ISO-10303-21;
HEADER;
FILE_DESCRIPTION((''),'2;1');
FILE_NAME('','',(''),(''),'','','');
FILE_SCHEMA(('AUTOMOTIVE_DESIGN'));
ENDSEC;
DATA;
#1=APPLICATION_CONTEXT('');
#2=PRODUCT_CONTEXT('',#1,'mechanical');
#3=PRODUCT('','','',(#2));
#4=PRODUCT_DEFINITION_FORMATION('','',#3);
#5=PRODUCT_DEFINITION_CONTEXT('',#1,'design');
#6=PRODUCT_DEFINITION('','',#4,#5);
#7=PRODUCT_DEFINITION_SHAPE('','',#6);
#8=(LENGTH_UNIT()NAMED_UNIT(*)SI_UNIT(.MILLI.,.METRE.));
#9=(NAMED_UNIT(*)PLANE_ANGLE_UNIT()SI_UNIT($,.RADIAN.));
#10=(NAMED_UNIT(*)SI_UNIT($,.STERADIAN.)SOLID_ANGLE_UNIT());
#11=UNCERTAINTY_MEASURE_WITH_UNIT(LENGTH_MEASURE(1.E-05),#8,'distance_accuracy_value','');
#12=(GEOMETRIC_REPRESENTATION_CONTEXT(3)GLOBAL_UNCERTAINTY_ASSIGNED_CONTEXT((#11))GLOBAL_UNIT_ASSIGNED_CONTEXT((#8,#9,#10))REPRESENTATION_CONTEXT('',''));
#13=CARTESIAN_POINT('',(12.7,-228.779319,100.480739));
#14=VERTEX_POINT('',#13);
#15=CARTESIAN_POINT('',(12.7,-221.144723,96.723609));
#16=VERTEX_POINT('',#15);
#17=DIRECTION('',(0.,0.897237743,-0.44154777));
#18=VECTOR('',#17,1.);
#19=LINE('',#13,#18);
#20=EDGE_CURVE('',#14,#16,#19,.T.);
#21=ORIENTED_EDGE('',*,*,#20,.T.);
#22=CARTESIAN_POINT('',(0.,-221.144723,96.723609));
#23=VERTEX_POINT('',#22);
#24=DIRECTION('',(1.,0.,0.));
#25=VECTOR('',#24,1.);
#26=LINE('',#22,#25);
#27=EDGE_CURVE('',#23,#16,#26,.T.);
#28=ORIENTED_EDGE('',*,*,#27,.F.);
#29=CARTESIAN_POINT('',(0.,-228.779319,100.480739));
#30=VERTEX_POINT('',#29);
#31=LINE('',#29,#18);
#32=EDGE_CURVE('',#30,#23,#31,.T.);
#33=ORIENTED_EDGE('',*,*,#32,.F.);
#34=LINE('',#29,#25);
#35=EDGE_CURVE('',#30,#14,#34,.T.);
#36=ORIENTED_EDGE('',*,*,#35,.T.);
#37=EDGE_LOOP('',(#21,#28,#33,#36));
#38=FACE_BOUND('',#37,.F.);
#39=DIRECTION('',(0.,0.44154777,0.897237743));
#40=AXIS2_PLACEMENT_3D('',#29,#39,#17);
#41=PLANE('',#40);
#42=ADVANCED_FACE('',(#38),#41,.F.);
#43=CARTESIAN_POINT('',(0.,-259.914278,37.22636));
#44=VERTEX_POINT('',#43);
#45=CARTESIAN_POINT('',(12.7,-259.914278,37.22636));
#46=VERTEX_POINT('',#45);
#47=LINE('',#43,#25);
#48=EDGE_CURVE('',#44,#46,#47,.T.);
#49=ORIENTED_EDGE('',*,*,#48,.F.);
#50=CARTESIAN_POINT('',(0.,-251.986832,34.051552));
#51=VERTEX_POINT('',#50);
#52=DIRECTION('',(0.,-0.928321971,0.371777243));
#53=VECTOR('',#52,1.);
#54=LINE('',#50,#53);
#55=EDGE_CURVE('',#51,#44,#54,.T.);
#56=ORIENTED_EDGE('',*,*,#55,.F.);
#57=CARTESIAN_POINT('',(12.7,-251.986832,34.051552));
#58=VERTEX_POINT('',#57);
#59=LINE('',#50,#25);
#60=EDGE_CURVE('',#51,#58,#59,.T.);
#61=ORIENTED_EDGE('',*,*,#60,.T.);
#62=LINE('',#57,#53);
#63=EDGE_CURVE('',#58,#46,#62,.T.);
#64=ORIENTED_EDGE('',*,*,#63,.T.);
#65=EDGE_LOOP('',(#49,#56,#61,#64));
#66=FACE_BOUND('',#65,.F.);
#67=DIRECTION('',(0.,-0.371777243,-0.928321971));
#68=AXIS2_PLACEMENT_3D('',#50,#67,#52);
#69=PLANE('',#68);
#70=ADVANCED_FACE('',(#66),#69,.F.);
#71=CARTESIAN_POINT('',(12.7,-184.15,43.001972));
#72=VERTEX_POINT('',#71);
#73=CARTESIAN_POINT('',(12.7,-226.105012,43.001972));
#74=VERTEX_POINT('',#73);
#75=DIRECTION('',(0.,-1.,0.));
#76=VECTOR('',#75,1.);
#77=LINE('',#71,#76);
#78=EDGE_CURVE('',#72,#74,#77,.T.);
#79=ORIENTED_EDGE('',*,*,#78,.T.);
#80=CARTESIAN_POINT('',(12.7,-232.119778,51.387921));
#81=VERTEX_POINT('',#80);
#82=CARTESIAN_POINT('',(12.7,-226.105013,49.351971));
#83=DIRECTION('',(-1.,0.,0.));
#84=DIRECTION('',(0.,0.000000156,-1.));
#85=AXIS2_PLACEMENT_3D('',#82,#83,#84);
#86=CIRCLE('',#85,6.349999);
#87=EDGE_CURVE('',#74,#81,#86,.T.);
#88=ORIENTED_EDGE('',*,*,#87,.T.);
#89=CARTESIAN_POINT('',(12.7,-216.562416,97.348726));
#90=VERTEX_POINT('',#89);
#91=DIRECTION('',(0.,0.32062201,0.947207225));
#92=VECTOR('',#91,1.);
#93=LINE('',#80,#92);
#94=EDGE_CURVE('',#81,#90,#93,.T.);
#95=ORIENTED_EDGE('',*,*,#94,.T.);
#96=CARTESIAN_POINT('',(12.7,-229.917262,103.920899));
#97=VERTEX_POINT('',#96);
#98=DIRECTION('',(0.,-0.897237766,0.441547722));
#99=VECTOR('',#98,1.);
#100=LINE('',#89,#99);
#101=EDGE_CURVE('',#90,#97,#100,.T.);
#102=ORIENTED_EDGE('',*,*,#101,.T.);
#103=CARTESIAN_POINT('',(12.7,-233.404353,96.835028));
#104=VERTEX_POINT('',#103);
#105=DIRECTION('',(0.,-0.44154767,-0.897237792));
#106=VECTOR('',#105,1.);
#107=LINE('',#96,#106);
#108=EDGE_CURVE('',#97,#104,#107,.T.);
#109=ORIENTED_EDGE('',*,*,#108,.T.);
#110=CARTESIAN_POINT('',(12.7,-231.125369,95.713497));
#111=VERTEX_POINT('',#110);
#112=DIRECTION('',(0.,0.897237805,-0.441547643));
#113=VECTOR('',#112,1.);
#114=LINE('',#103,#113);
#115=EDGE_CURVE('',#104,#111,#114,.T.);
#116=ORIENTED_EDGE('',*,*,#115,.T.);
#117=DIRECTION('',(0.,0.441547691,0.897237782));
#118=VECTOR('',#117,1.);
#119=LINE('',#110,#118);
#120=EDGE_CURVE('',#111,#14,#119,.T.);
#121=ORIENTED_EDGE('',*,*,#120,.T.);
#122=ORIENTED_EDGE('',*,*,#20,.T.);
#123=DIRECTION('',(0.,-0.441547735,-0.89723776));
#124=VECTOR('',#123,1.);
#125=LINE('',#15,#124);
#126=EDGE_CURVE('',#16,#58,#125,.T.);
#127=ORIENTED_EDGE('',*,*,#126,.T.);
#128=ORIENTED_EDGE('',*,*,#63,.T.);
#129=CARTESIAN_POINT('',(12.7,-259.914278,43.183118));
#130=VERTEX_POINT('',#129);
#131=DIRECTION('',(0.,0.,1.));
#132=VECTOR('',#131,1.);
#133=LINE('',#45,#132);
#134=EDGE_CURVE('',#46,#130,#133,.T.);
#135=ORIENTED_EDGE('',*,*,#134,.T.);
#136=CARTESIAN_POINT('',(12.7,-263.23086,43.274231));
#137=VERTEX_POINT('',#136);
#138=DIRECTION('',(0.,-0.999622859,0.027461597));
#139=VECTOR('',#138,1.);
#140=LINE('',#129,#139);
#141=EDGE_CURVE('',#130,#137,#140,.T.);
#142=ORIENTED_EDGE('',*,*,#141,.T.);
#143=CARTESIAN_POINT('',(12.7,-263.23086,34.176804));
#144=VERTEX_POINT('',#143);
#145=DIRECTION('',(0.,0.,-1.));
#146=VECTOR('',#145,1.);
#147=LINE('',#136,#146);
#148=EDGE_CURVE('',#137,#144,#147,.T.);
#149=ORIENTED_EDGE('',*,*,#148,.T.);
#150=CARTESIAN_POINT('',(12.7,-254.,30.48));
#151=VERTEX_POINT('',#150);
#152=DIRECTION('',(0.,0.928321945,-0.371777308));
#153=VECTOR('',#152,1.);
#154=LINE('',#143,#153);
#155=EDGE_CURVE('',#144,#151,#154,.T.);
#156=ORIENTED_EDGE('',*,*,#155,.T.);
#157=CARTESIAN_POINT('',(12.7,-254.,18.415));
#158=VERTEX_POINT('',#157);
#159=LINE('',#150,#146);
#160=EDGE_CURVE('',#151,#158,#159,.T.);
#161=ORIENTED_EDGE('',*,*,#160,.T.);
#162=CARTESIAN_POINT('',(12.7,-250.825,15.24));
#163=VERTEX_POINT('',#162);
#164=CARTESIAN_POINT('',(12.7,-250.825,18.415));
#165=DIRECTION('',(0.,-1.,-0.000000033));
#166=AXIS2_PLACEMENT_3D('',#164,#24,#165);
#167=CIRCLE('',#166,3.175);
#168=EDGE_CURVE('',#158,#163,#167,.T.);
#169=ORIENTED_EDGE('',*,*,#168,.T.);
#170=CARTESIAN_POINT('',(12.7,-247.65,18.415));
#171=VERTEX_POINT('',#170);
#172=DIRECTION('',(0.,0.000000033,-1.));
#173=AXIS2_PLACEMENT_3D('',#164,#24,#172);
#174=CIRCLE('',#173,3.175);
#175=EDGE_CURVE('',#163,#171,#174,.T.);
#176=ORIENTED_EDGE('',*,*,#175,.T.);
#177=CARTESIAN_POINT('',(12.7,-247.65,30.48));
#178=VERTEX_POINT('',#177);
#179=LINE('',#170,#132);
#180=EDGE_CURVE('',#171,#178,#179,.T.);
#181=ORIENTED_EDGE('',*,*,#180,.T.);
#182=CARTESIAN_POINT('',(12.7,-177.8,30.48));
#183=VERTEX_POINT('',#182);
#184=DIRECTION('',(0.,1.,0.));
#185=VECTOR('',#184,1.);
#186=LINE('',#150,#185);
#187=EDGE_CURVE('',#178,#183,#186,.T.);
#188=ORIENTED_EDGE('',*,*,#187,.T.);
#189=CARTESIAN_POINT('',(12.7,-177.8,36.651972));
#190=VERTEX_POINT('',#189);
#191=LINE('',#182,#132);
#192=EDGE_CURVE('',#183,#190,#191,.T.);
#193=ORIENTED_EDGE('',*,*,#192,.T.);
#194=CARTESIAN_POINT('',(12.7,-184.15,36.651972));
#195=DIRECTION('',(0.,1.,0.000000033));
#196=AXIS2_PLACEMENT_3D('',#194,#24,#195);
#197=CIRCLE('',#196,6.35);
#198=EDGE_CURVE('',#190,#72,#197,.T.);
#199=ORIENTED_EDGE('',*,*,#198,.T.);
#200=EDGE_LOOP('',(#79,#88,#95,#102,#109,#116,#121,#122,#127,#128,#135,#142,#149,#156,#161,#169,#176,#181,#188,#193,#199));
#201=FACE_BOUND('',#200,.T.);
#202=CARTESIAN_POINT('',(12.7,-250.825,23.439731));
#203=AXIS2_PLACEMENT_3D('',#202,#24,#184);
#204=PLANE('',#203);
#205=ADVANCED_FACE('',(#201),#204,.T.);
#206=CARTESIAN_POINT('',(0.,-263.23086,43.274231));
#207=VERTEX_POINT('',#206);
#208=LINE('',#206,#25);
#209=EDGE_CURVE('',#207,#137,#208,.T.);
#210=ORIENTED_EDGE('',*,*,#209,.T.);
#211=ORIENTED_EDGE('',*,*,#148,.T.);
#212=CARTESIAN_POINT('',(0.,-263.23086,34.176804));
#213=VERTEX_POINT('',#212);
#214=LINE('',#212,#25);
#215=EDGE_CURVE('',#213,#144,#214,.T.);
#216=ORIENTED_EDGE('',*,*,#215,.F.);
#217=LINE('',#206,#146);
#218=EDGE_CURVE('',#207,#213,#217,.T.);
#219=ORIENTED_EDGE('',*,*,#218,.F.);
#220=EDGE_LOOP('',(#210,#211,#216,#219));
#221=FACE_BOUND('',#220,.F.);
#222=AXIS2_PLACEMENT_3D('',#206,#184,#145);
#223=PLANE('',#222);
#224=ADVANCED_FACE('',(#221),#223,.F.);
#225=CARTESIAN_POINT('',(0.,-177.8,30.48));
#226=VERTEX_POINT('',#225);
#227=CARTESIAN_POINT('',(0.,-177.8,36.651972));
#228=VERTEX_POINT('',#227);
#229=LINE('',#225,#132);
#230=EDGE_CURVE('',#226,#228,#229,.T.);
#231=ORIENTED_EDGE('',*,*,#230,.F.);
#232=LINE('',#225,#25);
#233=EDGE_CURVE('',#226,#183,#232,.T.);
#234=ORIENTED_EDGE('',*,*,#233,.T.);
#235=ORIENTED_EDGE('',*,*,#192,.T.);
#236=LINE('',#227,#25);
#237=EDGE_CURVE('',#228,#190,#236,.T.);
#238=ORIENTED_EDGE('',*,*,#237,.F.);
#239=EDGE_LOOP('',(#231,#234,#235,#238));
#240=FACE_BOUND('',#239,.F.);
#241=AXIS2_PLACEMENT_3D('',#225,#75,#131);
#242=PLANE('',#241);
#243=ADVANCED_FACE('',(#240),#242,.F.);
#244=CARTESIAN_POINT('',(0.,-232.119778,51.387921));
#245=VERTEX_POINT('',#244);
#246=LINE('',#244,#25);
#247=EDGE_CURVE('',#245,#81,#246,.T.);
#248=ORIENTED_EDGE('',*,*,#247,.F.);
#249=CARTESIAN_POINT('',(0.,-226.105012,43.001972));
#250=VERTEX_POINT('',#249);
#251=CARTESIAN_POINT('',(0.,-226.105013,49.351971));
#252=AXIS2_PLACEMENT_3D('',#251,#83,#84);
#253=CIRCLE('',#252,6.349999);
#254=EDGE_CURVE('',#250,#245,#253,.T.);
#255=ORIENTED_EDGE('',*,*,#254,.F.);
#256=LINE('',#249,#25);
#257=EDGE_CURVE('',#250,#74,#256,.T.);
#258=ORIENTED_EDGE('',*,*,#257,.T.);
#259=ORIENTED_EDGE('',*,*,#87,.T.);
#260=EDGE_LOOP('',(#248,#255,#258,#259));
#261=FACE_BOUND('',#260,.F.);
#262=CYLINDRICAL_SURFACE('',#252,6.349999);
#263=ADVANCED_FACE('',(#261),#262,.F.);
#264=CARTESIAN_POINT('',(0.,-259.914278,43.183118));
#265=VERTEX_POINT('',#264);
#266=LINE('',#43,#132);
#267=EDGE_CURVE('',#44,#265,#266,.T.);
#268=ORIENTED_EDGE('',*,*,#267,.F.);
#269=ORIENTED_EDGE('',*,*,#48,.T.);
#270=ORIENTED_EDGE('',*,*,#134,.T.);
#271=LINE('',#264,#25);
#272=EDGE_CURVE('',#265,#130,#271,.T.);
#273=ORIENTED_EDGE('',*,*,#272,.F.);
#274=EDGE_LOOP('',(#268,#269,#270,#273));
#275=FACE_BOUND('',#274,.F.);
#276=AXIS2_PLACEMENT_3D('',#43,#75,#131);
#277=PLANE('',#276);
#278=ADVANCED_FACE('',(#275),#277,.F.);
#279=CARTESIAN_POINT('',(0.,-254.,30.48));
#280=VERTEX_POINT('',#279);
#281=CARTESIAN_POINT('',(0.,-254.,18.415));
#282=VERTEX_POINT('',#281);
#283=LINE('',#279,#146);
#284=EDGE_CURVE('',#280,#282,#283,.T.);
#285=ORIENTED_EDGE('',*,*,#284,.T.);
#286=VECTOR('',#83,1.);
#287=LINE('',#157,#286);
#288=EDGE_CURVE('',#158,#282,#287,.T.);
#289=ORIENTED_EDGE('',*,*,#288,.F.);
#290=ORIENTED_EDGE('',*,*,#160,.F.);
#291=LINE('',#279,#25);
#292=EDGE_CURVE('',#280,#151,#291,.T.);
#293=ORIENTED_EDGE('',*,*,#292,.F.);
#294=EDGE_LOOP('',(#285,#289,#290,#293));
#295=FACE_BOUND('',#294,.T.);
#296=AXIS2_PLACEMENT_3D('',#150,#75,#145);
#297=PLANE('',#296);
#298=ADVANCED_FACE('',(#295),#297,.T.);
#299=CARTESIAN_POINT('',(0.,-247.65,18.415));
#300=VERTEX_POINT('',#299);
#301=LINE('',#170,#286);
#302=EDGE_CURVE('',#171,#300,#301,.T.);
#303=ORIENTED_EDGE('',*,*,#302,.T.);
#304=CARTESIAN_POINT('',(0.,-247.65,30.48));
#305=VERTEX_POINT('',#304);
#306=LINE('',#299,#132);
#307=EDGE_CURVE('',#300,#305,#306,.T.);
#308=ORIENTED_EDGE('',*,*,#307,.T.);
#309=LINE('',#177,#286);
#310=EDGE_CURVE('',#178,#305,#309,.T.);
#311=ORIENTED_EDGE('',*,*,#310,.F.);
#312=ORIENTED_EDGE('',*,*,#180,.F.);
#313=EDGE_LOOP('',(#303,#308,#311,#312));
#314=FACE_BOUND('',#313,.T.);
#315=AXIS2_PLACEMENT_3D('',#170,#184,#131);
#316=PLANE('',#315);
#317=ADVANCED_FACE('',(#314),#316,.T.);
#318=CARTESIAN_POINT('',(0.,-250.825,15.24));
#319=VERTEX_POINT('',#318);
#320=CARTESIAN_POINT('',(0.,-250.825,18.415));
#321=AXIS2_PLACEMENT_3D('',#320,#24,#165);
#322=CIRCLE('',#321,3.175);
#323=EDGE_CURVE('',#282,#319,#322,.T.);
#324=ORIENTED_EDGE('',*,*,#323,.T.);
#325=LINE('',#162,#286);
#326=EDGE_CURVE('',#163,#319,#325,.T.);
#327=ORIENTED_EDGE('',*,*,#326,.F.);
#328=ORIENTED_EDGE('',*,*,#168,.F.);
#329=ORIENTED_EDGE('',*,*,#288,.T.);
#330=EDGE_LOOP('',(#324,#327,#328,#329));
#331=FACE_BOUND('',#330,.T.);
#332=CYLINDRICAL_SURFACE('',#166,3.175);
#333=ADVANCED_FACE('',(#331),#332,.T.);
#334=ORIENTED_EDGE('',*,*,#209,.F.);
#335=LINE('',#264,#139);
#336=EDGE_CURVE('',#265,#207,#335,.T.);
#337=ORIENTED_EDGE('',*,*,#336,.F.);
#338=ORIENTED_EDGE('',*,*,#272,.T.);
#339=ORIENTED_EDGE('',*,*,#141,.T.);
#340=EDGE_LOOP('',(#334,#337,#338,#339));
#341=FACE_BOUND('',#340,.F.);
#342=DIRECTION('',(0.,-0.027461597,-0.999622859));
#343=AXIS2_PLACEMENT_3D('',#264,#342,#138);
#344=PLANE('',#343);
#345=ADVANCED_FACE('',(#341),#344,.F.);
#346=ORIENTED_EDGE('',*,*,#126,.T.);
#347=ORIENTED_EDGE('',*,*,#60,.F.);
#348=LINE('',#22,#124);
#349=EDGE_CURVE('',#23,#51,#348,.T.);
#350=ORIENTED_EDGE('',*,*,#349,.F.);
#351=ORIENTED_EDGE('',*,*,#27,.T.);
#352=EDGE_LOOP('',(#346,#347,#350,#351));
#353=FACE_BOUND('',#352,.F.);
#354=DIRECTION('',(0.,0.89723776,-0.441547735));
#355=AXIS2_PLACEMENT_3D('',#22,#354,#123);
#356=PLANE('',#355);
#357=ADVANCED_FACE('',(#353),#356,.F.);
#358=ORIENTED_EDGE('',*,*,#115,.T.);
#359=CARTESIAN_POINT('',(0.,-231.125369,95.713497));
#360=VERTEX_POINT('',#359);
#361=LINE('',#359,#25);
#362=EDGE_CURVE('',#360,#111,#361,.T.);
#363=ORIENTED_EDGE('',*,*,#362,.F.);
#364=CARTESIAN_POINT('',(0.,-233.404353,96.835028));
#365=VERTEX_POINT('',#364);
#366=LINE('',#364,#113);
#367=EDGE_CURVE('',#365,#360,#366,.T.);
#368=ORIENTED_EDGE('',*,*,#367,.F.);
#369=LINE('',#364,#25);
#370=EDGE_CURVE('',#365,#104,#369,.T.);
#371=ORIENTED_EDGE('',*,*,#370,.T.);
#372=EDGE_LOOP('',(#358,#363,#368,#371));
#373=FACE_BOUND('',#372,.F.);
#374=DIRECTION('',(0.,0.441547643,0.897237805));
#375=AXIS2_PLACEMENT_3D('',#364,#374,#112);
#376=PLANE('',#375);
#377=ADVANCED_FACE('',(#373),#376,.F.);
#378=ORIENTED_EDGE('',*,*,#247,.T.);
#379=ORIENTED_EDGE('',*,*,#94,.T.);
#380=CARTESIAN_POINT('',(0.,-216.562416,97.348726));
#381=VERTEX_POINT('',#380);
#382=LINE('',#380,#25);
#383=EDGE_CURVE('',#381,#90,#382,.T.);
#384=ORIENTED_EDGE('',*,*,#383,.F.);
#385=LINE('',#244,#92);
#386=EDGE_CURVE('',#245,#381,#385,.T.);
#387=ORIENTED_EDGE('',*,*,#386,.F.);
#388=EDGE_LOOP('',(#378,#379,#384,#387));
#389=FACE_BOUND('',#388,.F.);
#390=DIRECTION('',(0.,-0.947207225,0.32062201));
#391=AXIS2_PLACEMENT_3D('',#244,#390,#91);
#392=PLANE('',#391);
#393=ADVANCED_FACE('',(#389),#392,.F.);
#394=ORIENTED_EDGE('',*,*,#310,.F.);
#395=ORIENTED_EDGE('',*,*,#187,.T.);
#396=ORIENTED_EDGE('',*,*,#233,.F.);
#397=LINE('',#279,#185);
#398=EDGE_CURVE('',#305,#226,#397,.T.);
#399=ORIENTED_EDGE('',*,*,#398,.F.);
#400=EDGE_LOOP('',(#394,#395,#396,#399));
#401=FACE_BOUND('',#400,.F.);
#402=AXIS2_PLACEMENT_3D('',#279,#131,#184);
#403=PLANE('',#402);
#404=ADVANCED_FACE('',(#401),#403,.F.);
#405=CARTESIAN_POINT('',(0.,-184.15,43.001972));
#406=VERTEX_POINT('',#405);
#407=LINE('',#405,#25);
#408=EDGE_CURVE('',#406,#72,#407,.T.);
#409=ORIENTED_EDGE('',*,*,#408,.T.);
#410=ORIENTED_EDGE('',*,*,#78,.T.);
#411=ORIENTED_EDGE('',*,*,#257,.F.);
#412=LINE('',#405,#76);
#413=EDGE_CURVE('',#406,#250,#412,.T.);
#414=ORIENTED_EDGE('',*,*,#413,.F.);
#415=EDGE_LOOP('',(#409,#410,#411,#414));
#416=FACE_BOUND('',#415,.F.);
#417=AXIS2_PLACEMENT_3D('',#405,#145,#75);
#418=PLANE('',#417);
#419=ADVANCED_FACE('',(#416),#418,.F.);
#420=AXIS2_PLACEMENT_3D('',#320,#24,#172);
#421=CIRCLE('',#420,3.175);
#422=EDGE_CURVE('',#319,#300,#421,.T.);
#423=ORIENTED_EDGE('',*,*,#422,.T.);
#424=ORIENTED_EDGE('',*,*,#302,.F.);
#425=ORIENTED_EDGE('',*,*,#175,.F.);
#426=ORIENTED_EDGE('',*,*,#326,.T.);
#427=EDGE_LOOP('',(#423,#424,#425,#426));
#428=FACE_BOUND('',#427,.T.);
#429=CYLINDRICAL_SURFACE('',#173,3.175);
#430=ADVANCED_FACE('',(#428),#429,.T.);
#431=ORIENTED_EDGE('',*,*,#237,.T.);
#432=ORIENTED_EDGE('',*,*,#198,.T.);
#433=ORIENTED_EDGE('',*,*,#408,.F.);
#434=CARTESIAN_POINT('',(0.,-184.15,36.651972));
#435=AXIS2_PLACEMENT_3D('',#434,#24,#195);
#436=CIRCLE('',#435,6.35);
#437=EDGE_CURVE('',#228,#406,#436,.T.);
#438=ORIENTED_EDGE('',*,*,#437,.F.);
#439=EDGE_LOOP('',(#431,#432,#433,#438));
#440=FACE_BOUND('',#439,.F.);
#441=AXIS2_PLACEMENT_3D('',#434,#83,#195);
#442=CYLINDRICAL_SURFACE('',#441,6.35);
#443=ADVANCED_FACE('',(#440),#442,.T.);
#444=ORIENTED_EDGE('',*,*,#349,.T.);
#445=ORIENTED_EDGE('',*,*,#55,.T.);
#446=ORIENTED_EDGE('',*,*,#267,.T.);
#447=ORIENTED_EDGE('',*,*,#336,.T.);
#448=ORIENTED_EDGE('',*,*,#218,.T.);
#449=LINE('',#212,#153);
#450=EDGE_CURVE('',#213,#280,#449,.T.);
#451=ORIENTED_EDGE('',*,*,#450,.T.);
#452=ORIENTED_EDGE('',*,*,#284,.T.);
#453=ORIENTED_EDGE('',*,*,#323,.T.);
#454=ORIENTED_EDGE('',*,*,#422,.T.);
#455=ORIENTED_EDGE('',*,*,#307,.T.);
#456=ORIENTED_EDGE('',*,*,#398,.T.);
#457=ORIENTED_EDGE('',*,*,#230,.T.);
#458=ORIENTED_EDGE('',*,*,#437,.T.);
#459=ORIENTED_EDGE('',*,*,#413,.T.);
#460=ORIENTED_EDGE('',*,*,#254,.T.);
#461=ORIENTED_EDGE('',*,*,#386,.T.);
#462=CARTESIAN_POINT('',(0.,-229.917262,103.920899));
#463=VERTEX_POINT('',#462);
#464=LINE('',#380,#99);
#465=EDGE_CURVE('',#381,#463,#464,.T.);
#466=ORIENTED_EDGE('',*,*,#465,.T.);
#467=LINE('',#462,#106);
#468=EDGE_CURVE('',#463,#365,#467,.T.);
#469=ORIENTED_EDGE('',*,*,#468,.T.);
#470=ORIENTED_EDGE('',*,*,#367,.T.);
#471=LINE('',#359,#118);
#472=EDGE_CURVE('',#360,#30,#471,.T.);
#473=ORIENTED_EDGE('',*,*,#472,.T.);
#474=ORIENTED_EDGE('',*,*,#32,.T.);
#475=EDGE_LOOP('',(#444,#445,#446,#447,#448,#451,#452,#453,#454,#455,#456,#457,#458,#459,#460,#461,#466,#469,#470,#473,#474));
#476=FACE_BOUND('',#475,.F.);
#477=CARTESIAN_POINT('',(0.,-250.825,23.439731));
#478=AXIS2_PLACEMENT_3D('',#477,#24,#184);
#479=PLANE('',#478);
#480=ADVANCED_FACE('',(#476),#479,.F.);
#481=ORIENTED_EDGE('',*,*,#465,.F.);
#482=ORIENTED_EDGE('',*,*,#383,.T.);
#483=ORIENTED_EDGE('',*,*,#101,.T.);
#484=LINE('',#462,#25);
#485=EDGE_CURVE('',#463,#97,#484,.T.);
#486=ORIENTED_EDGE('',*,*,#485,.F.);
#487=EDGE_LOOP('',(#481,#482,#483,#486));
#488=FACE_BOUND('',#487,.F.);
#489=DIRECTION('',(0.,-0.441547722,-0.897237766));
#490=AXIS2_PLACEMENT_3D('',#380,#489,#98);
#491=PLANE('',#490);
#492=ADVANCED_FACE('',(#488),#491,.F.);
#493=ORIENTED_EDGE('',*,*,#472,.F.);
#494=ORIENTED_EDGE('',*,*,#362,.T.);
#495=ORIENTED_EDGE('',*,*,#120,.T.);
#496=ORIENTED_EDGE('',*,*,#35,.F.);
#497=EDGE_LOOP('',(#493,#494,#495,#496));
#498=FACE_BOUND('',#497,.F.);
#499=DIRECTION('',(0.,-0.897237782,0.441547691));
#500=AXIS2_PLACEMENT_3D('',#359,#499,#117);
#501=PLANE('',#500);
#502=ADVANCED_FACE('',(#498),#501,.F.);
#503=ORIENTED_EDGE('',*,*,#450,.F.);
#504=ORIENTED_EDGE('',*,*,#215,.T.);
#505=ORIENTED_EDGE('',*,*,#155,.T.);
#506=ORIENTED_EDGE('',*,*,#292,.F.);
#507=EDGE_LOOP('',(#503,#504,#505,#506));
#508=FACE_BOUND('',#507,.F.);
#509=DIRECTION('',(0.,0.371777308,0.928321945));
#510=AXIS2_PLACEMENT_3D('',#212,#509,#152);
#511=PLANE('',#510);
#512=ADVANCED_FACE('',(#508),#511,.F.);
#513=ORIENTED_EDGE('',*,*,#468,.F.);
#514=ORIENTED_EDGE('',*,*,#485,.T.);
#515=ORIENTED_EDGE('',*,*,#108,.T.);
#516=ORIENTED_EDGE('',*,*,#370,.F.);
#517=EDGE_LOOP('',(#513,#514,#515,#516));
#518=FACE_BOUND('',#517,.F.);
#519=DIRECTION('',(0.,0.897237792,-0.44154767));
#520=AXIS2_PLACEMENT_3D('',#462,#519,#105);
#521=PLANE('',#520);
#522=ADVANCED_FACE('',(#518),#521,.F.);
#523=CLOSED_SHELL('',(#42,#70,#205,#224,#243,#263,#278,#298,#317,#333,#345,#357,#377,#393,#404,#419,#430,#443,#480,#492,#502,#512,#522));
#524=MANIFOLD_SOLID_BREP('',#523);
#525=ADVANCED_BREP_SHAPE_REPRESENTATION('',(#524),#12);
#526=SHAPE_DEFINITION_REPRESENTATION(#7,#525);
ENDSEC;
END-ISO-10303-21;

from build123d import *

# Parameters (mm, degrees)
F1_DEPTH = 12.7
F3_DEPTH = 12.7


with BuildPart() as f1:
    # F0 (on Right) → F1 (new body)
    with BuildSketch(Plane.YZ):
        with BuildLine():
            Line((-254, 30.48), (-177.8, 30.48))
            Line((-177.8, 30.48), (-177.8, 36.651972))
            ThreePointArc((-177.8, 36.651972), (-179.659872, 41.1421), (-184.15, 43.001972))
            Line((-184.15, 43.001972), (-226.105012, 43.001972))
            ThreePointArc((-226.105012, 43.001972), (-231.264992, 45.651011), (-232.119778, 51.387921))
            Line((-232.119778, 51.387921), (-216.562416, 97.348726))
            Line((-216.562416, 97.348726), (-229.917262, 103.920899))
            Line((-229.917262, 103.920899), (-233.404353, 96.835028))
            Line((-233.404353, 96.835028), (-231.125369, 95.713497))
            Line((-231.125369, 95.713497), (-228.779319, 100.480739))
            Line((-228.779319, 100.480739), (-221.144723, 96.723609))
            Line((-221.144723, 96.723609), (-251.986832, 34.051552))
            Line((-251.986832, 34.051552), (-259.914278, 37.22636))
            Line((-259.914278, 37.22636), (-259.914278, 43.183118))
            Line((-259.914278, 43.183118), (-263.23086, 43.274231))
            Line((-263.23086, 43.274231), (-263.23086, 34.176804))
            Line((-263.23086, 34.176804), (-254, 30.48))
        make_face()
    extrude(amount=F1_DEPTH)

    # F2 (on face) → F3 (join)
    with BuildSketch(Plane.YZ.offset(12.7)):
        with BuildLine():
            Line((-247.65, 30.48), (-254, 30.48))
            Line((-254, 30.48), (-254, 18.415))
            ThreePointArc((-254, 18.415), (-253.070064, 16.169936), (-250.825, 15.24))
            ThreePointArc((-250.825, 15.24), (-248.579936, 16.169936), (-247.65, 18.415))
            Line((-247.65, 18.415), (-247.65, 30.48))
        make_face()
    extrude(amount=-F3_DEPTH)


solid = f1.part
